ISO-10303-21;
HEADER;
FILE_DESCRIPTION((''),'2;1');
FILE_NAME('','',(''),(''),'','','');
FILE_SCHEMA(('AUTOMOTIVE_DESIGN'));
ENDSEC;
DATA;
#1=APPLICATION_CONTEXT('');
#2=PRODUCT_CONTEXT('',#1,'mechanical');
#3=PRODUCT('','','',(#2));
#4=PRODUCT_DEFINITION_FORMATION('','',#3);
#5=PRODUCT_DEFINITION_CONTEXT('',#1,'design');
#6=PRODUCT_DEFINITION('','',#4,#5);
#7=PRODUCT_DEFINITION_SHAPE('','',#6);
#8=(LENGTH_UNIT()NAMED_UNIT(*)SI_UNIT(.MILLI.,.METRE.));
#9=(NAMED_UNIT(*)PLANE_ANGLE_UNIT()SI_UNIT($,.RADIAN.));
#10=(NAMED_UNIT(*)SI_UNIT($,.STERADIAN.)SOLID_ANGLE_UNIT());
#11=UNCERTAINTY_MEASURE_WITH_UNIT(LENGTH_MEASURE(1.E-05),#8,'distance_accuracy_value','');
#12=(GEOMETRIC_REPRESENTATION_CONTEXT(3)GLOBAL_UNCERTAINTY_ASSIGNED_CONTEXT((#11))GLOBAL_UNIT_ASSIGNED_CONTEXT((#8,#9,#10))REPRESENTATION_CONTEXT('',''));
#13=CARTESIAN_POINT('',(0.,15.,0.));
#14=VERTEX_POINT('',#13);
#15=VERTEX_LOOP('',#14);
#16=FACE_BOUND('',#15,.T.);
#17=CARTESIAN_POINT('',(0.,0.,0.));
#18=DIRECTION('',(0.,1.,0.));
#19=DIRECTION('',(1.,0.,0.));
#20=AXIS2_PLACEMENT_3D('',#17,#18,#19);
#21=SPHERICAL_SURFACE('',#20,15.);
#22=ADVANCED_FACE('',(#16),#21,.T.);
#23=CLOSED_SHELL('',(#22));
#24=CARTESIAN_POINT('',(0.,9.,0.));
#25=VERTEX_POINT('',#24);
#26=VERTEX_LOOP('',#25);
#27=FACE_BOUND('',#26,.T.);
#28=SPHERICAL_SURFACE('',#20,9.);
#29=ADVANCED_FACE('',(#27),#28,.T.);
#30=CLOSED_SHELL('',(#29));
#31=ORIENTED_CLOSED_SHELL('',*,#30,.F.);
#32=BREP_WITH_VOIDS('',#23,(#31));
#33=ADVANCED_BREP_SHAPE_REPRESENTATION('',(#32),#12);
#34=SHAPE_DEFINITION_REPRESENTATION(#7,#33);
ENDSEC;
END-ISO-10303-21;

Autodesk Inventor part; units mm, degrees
ref_plane "YZ Plane" through (0, 0, 0) normal (1, 0, 0) x (0, 1, 0)
ref_plane "XZ Plane" through (0, 0, 0) normal (0, 1, 0) x (-1, 0, 0)
ref_plane "XY Plane" through (0, 0, 0) normal (0, 0, 1) x (1, 0, 0)
sketch "Sketch3" plane through (0, 0, 0) normal (0, 0, 1) x (1, 0, 0)
  arc A0 (0, -15) -> (0, 15) centre (0, 0) ccw
  arc A1 (0, -9) -> (0, 9) centre (0, 0) ccw
  line L0 (0, 16.0559) -> (0, 15)
  line L1 (0, 15) -> (0, -9)
  line L2 (0, -9) -> (0, -15)
  line L3 (0, -15) -> (0, -17.0253)
  line L4 (0, -23.6415) -> (0, 22.6721) projected
  dimension "d4" = 30
  dimension "d5" = 18
revolve "Revolution2" add sketch "Sketch3" angle 360 about axis through (0, -10, 0) along (0, 1, 0) contours L2 A1 L1 A0
properties part number "Sphere"
